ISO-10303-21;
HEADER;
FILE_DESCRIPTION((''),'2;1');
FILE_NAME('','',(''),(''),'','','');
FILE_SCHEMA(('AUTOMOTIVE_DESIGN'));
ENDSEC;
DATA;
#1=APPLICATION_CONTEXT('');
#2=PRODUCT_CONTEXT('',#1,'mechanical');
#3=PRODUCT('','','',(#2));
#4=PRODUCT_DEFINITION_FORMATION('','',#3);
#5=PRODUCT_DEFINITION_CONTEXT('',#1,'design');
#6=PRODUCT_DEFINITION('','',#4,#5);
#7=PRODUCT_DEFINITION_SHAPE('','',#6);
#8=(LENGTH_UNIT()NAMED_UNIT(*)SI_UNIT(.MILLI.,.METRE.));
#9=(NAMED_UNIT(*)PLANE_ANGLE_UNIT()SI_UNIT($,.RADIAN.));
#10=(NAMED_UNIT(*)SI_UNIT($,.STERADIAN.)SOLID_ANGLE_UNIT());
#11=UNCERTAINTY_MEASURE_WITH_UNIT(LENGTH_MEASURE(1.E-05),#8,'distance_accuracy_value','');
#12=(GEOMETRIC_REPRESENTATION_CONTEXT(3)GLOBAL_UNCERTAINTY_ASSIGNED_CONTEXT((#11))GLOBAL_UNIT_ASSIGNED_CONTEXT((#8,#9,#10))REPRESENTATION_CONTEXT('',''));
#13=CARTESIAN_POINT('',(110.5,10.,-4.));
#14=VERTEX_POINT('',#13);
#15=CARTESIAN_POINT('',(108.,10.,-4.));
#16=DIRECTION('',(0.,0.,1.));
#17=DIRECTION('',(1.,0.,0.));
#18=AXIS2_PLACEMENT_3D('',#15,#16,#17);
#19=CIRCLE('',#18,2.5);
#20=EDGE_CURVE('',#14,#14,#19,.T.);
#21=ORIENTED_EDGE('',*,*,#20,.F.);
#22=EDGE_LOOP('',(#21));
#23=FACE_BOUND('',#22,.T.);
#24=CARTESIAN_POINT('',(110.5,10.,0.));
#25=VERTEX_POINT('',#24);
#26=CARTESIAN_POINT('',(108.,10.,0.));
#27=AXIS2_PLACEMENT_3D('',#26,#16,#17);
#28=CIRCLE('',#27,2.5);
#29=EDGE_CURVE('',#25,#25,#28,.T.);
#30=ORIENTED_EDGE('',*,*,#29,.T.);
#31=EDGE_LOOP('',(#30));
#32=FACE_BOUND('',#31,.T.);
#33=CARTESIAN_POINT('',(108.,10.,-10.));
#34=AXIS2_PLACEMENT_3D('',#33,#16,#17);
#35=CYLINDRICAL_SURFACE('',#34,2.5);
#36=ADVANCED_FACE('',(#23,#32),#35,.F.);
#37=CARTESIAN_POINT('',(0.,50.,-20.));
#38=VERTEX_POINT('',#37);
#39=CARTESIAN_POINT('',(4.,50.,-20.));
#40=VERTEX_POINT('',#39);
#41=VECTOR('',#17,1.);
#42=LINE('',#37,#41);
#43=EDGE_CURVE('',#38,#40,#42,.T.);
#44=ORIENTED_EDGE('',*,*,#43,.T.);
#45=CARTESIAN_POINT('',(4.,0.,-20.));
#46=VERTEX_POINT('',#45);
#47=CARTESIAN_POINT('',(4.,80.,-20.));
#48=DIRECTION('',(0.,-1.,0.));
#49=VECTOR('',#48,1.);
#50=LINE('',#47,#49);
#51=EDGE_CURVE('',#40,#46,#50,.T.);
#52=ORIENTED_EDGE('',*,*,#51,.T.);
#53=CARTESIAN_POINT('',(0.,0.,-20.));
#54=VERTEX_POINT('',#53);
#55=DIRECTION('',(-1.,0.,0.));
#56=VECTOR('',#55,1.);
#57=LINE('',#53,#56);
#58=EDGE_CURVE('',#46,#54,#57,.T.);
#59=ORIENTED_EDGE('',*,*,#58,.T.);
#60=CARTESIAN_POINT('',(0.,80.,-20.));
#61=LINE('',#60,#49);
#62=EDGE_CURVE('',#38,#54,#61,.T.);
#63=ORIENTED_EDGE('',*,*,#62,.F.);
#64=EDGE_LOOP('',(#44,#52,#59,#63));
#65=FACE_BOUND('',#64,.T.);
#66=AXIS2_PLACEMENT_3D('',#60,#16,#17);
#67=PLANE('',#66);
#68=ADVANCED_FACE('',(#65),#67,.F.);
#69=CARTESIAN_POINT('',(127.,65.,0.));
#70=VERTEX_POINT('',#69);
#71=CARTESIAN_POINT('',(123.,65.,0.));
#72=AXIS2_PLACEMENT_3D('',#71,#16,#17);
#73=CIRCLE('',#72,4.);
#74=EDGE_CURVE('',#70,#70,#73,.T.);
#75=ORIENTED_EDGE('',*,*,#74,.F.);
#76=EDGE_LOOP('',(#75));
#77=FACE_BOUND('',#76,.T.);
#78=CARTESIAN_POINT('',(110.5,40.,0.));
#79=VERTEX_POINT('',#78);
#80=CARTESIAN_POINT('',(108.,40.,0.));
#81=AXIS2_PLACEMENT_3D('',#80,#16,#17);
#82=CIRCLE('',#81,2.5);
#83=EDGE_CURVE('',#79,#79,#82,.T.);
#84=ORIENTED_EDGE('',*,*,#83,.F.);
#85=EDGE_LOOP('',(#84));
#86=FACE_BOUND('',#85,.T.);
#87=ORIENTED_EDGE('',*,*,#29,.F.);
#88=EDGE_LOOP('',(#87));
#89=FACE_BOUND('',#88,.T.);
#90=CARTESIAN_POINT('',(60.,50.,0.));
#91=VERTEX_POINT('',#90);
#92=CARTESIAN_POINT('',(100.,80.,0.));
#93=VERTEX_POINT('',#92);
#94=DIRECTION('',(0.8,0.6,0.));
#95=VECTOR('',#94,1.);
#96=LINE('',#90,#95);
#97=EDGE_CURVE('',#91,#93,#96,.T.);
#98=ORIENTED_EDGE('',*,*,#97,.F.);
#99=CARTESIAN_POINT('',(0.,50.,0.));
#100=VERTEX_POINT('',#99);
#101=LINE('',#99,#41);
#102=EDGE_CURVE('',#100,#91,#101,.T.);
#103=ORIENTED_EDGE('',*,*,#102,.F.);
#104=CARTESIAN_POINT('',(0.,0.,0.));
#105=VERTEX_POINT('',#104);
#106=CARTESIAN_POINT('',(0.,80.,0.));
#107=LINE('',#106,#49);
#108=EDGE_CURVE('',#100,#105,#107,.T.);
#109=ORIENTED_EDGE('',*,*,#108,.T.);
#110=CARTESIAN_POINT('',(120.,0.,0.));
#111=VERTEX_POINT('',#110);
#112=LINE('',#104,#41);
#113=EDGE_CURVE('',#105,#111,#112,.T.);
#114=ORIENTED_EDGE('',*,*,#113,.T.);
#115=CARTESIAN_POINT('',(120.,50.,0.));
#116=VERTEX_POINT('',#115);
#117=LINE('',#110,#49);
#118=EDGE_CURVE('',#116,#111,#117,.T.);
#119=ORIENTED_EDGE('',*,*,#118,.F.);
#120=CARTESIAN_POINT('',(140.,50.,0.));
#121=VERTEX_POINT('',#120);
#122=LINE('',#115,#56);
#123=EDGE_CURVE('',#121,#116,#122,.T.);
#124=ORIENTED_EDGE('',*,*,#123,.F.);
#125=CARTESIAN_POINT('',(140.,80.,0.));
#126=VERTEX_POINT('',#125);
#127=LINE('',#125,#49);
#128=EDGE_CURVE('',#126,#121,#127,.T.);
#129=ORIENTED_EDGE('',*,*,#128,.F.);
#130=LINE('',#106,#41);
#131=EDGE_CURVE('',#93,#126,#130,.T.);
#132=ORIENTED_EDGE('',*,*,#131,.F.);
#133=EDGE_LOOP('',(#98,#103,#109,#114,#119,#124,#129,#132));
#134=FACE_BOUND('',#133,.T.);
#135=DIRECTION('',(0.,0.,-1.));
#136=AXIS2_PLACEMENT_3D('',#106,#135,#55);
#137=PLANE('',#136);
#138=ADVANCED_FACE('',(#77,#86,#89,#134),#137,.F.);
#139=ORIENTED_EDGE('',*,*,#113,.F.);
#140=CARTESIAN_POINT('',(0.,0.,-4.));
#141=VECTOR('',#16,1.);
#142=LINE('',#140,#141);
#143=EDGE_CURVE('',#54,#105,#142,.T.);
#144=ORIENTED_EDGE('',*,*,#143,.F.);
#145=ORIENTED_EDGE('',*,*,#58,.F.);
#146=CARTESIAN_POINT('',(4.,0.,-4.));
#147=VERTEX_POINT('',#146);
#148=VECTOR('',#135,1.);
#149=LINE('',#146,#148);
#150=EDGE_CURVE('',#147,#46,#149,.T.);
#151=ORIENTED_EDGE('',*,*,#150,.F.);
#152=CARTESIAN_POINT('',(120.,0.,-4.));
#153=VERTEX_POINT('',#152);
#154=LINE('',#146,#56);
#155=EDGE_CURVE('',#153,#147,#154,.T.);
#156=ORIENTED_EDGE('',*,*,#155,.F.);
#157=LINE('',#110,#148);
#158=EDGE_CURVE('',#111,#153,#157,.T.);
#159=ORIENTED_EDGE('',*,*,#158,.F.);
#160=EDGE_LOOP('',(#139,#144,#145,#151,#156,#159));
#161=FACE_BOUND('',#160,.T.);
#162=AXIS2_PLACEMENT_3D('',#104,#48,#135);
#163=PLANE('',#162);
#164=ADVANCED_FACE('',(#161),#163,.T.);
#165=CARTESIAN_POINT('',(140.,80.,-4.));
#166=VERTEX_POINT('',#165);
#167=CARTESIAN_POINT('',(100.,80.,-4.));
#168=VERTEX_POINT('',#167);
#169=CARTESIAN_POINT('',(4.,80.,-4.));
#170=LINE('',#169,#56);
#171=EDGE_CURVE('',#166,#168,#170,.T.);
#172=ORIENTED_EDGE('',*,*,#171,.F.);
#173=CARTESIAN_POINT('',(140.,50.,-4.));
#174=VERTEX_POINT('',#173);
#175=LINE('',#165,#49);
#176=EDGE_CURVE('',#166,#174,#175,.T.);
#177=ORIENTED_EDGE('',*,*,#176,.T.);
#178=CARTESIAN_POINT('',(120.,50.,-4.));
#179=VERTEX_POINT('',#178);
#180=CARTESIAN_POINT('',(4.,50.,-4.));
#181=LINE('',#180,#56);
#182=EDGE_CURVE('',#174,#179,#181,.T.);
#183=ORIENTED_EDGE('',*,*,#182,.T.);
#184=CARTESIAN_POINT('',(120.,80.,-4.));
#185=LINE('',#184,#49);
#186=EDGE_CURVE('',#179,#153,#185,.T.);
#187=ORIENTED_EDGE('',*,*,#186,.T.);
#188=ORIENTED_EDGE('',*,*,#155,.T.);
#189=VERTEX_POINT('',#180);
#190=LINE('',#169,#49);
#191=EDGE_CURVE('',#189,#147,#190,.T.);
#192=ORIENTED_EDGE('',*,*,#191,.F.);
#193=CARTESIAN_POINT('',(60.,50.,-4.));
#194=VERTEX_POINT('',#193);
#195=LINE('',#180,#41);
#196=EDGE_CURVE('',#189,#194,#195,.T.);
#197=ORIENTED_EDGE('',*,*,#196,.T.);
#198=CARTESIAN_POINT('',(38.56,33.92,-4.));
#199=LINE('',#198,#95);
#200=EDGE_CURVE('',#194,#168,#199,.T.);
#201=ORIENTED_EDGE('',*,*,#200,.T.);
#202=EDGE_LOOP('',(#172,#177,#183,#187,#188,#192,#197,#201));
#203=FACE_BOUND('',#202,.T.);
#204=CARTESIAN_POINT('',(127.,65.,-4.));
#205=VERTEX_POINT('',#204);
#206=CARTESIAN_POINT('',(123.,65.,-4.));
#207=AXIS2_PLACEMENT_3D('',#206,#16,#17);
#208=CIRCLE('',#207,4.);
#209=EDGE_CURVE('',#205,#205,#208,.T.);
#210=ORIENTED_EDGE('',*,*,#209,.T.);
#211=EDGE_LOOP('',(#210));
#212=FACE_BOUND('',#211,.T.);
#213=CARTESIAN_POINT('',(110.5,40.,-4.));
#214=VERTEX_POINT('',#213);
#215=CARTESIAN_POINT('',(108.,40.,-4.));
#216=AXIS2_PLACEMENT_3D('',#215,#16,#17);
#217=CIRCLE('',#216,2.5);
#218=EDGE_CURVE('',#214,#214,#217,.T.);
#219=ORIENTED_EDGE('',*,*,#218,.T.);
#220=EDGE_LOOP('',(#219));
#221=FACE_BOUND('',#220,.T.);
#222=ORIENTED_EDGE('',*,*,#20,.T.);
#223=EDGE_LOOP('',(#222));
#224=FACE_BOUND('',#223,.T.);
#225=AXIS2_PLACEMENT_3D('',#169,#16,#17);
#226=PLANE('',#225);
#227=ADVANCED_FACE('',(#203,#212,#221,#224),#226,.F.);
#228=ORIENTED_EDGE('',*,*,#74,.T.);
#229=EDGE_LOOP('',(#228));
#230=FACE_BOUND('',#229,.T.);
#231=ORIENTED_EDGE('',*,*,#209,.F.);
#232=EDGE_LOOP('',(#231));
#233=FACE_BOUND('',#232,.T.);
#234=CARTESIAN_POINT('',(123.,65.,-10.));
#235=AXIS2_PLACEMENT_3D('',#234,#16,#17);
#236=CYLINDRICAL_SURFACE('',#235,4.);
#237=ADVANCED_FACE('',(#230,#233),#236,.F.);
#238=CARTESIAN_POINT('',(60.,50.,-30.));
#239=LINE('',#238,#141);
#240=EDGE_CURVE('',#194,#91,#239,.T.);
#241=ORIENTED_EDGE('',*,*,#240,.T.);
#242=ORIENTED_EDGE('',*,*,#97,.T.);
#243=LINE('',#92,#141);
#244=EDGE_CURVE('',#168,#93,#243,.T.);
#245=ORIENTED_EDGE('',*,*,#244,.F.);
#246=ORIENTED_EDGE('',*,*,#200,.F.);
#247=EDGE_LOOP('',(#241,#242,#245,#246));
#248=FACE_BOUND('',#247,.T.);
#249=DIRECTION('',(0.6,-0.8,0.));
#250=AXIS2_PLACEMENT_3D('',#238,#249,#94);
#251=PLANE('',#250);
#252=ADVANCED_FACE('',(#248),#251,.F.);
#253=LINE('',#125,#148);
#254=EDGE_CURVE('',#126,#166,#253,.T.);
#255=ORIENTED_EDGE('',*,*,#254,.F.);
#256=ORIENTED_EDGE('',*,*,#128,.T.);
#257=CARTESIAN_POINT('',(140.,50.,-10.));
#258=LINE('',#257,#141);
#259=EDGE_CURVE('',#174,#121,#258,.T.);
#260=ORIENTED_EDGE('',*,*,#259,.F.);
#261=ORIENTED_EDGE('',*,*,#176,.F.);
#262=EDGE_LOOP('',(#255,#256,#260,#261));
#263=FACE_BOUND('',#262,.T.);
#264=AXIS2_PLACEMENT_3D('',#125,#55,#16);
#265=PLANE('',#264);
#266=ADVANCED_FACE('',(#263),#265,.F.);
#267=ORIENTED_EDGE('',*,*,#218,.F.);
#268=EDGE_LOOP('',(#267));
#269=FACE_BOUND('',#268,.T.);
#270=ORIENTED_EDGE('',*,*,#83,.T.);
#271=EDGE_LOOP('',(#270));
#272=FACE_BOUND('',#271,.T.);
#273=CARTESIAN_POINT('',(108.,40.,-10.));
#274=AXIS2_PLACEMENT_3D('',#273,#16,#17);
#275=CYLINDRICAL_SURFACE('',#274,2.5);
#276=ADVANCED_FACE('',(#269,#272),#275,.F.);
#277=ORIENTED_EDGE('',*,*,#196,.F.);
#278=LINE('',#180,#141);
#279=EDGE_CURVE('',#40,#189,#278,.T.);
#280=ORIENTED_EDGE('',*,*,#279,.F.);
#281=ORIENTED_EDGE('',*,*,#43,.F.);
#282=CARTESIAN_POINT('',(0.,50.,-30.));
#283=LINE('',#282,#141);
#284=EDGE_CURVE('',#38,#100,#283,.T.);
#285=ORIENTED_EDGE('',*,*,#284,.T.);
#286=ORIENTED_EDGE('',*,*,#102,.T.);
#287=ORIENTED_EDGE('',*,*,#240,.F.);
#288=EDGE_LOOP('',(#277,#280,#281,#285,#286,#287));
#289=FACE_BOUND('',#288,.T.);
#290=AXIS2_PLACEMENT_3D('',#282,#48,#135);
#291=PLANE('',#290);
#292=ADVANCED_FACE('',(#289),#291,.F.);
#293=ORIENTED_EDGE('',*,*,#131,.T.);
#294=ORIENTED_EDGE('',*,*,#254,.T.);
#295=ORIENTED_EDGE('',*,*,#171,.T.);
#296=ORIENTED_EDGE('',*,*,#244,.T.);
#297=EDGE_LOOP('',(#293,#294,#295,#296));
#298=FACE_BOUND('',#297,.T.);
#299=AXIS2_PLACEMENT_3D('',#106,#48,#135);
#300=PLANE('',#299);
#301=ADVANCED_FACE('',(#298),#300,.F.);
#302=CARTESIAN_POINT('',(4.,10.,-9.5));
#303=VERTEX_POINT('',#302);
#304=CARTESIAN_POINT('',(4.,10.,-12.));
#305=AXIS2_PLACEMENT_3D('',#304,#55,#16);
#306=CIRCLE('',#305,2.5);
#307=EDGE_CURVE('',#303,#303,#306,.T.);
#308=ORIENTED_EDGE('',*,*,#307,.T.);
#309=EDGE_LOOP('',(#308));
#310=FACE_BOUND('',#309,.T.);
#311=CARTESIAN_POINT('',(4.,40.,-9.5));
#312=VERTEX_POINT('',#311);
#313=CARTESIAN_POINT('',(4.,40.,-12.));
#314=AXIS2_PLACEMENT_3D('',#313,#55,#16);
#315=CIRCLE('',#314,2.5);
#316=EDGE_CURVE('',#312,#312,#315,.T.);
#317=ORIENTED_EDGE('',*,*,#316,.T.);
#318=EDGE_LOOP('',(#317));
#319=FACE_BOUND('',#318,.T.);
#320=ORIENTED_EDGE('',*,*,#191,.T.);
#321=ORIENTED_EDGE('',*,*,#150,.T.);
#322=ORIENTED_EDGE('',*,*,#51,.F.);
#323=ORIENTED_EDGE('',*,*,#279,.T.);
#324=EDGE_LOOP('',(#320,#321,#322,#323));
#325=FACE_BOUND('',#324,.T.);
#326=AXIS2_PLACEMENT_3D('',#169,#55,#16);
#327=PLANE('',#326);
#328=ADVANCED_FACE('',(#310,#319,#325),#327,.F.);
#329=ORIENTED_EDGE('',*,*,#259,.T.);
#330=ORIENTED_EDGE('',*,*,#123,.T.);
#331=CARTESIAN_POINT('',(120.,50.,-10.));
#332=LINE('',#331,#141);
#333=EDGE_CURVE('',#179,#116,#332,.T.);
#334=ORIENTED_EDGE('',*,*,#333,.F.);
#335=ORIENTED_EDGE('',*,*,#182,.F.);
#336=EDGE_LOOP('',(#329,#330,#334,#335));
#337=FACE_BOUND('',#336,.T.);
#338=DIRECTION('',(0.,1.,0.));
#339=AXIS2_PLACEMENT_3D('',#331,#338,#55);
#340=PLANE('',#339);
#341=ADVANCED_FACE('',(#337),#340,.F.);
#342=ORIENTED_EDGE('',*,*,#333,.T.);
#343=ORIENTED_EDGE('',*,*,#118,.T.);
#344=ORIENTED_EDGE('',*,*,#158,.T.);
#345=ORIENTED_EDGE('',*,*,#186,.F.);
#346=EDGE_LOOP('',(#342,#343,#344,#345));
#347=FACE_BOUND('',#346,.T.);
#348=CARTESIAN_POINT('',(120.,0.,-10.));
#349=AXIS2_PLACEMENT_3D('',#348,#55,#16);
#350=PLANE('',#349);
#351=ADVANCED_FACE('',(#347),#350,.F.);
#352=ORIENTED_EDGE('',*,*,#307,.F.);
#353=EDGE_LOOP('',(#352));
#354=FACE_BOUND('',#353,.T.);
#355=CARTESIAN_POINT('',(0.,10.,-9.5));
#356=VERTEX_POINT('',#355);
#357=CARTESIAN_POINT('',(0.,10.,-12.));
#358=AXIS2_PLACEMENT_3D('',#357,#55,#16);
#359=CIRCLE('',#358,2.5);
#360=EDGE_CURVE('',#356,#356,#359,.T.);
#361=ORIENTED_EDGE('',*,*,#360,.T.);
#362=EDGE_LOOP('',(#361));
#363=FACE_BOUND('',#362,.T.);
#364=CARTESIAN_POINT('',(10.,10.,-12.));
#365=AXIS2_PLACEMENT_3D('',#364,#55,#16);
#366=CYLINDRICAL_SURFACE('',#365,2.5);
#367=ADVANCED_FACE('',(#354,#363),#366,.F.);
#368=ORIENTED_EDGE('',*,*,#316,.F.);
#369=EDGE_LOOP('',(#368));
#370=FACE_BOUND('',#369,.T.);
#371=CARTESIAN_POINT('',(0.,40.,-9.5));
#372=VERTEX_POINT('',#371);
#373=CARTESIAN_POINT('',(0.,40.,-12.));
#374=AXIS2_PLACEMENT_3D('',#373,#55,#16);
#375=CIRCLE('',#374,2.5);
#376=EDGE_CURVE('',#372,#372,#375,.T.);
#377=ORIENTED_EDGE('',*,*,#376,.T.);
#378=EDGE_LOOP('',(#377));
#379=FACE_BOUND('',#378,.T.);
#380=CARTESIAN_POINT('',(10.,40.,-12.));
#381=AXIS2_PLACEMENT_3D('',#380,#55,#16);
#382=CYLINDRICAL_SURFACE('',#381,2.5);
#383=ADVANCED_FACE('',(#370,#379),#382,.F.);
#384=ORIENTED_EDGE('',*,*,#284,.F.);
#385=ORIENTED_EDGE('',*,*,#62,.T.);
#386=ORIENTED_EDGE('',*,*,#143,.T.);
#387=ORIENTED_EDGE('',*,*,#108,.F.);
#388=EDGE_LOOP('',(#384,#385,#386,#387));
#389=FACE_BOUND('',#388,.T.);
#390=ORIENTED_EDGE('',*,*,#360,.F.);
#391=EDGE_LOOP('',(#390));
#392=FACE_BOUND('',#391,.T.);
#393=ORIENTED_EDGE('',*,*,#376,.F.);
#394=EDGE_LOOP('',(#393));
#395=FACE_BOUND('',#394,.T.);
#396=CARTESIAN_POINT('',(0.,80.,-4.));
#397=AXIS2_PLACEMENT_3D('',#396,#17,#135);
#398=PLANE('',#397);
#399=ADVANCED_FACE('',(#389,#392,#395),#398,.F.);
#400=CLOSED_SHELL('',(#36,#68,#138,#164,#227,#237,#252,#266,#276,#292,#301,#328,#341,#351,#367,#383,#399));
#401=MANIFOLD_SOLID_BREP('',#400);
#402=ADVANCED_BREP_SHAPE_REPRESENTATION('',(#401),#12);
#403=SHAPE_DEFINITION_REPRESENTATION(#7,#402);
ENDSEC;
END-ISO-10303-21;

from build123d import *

# Parameters (mm, degrees)
EXTRUDE_1_DEPTH     = 80
SKETCH_2_R          = 2.5
CUT_EXTRUDE_1_DEPTH = 10
SKETCH_3_R          = 2.5
SKETCH_3_R_2        = 4
CUT_EXTRUDE_2_DEPTH = 10
CUT_EXTRUDE_3_DEPTH = 30
SKETCH_5_W          = 20
SKETCH_5_H          = 50
CUT_EXTRUDE_4_DEPTH = 10


with BuildPart() as part:
    # Эскиз1 → Бобышка-Вытянуть1 (new body)
    with BuildSketch(Plane(origin=(0, 0, 0), x_dir=(1, 0, 0), z_dir=(0, 1, 0))):
        Polygon((0, 0), (140, 0), (140, 4), (4, 4), (4, 20), (0, 20), (0, 4), align=None)
    extrude(amount=EXTRUDE_1_DEPTH)

    # Эскиз2 → Вырез-Вытянуть1 (cut)
    with BuildSketch(Plane.ZY):
        with Locations((-12, 40)):
            Circle(SKETCH_2_R)
        with Locations((-12, 10)):
            Circle(SKETCH_2_R)
    extrude(amount=-CUT_EXTRUDE_1_DEPTH, mode=Mode.SUBTRACT)

    # Эскиз3 → Вырез-Вытянуть2 (cut)
    with BuildSketch(Plane.XY):
        with Locations((108, 40)):
            Circle(SKETCH_3_R)
        with Locations((108, 10)):
            Circle(SKETCH_3_R)
        with Locations((123, 65)):
            Circle(SKETCH_3_R_2)
    extrude(amount=-CUT_EXTRUDE_2_DEPTH, mode=Mode.SUBTRACT)

    # Эскиз4 → Вырез-Вытянуть3 (cut)
    with BuildSketch(Plane.XY):
        Polygon((0, 50), (60, 50), (100, 80), (0, 80), align=None)
    extrude(amount=-CUT_EXTRUDE_3_DEPTH, mode=Mode.SUBTRACT)

    # Эскиз5 → Вырез-Вытянуть4 (cut)
    with BuildSketch(Plane.XY):
        with Locations((130, 25)):
            Rectangle(SKETCH_5_W, SKETCH_5_H)
    extrude(amount=-CUT_EXTRUDE_4_DEPTH, mode=Mode.SUBTRACT)


solid = part.part
